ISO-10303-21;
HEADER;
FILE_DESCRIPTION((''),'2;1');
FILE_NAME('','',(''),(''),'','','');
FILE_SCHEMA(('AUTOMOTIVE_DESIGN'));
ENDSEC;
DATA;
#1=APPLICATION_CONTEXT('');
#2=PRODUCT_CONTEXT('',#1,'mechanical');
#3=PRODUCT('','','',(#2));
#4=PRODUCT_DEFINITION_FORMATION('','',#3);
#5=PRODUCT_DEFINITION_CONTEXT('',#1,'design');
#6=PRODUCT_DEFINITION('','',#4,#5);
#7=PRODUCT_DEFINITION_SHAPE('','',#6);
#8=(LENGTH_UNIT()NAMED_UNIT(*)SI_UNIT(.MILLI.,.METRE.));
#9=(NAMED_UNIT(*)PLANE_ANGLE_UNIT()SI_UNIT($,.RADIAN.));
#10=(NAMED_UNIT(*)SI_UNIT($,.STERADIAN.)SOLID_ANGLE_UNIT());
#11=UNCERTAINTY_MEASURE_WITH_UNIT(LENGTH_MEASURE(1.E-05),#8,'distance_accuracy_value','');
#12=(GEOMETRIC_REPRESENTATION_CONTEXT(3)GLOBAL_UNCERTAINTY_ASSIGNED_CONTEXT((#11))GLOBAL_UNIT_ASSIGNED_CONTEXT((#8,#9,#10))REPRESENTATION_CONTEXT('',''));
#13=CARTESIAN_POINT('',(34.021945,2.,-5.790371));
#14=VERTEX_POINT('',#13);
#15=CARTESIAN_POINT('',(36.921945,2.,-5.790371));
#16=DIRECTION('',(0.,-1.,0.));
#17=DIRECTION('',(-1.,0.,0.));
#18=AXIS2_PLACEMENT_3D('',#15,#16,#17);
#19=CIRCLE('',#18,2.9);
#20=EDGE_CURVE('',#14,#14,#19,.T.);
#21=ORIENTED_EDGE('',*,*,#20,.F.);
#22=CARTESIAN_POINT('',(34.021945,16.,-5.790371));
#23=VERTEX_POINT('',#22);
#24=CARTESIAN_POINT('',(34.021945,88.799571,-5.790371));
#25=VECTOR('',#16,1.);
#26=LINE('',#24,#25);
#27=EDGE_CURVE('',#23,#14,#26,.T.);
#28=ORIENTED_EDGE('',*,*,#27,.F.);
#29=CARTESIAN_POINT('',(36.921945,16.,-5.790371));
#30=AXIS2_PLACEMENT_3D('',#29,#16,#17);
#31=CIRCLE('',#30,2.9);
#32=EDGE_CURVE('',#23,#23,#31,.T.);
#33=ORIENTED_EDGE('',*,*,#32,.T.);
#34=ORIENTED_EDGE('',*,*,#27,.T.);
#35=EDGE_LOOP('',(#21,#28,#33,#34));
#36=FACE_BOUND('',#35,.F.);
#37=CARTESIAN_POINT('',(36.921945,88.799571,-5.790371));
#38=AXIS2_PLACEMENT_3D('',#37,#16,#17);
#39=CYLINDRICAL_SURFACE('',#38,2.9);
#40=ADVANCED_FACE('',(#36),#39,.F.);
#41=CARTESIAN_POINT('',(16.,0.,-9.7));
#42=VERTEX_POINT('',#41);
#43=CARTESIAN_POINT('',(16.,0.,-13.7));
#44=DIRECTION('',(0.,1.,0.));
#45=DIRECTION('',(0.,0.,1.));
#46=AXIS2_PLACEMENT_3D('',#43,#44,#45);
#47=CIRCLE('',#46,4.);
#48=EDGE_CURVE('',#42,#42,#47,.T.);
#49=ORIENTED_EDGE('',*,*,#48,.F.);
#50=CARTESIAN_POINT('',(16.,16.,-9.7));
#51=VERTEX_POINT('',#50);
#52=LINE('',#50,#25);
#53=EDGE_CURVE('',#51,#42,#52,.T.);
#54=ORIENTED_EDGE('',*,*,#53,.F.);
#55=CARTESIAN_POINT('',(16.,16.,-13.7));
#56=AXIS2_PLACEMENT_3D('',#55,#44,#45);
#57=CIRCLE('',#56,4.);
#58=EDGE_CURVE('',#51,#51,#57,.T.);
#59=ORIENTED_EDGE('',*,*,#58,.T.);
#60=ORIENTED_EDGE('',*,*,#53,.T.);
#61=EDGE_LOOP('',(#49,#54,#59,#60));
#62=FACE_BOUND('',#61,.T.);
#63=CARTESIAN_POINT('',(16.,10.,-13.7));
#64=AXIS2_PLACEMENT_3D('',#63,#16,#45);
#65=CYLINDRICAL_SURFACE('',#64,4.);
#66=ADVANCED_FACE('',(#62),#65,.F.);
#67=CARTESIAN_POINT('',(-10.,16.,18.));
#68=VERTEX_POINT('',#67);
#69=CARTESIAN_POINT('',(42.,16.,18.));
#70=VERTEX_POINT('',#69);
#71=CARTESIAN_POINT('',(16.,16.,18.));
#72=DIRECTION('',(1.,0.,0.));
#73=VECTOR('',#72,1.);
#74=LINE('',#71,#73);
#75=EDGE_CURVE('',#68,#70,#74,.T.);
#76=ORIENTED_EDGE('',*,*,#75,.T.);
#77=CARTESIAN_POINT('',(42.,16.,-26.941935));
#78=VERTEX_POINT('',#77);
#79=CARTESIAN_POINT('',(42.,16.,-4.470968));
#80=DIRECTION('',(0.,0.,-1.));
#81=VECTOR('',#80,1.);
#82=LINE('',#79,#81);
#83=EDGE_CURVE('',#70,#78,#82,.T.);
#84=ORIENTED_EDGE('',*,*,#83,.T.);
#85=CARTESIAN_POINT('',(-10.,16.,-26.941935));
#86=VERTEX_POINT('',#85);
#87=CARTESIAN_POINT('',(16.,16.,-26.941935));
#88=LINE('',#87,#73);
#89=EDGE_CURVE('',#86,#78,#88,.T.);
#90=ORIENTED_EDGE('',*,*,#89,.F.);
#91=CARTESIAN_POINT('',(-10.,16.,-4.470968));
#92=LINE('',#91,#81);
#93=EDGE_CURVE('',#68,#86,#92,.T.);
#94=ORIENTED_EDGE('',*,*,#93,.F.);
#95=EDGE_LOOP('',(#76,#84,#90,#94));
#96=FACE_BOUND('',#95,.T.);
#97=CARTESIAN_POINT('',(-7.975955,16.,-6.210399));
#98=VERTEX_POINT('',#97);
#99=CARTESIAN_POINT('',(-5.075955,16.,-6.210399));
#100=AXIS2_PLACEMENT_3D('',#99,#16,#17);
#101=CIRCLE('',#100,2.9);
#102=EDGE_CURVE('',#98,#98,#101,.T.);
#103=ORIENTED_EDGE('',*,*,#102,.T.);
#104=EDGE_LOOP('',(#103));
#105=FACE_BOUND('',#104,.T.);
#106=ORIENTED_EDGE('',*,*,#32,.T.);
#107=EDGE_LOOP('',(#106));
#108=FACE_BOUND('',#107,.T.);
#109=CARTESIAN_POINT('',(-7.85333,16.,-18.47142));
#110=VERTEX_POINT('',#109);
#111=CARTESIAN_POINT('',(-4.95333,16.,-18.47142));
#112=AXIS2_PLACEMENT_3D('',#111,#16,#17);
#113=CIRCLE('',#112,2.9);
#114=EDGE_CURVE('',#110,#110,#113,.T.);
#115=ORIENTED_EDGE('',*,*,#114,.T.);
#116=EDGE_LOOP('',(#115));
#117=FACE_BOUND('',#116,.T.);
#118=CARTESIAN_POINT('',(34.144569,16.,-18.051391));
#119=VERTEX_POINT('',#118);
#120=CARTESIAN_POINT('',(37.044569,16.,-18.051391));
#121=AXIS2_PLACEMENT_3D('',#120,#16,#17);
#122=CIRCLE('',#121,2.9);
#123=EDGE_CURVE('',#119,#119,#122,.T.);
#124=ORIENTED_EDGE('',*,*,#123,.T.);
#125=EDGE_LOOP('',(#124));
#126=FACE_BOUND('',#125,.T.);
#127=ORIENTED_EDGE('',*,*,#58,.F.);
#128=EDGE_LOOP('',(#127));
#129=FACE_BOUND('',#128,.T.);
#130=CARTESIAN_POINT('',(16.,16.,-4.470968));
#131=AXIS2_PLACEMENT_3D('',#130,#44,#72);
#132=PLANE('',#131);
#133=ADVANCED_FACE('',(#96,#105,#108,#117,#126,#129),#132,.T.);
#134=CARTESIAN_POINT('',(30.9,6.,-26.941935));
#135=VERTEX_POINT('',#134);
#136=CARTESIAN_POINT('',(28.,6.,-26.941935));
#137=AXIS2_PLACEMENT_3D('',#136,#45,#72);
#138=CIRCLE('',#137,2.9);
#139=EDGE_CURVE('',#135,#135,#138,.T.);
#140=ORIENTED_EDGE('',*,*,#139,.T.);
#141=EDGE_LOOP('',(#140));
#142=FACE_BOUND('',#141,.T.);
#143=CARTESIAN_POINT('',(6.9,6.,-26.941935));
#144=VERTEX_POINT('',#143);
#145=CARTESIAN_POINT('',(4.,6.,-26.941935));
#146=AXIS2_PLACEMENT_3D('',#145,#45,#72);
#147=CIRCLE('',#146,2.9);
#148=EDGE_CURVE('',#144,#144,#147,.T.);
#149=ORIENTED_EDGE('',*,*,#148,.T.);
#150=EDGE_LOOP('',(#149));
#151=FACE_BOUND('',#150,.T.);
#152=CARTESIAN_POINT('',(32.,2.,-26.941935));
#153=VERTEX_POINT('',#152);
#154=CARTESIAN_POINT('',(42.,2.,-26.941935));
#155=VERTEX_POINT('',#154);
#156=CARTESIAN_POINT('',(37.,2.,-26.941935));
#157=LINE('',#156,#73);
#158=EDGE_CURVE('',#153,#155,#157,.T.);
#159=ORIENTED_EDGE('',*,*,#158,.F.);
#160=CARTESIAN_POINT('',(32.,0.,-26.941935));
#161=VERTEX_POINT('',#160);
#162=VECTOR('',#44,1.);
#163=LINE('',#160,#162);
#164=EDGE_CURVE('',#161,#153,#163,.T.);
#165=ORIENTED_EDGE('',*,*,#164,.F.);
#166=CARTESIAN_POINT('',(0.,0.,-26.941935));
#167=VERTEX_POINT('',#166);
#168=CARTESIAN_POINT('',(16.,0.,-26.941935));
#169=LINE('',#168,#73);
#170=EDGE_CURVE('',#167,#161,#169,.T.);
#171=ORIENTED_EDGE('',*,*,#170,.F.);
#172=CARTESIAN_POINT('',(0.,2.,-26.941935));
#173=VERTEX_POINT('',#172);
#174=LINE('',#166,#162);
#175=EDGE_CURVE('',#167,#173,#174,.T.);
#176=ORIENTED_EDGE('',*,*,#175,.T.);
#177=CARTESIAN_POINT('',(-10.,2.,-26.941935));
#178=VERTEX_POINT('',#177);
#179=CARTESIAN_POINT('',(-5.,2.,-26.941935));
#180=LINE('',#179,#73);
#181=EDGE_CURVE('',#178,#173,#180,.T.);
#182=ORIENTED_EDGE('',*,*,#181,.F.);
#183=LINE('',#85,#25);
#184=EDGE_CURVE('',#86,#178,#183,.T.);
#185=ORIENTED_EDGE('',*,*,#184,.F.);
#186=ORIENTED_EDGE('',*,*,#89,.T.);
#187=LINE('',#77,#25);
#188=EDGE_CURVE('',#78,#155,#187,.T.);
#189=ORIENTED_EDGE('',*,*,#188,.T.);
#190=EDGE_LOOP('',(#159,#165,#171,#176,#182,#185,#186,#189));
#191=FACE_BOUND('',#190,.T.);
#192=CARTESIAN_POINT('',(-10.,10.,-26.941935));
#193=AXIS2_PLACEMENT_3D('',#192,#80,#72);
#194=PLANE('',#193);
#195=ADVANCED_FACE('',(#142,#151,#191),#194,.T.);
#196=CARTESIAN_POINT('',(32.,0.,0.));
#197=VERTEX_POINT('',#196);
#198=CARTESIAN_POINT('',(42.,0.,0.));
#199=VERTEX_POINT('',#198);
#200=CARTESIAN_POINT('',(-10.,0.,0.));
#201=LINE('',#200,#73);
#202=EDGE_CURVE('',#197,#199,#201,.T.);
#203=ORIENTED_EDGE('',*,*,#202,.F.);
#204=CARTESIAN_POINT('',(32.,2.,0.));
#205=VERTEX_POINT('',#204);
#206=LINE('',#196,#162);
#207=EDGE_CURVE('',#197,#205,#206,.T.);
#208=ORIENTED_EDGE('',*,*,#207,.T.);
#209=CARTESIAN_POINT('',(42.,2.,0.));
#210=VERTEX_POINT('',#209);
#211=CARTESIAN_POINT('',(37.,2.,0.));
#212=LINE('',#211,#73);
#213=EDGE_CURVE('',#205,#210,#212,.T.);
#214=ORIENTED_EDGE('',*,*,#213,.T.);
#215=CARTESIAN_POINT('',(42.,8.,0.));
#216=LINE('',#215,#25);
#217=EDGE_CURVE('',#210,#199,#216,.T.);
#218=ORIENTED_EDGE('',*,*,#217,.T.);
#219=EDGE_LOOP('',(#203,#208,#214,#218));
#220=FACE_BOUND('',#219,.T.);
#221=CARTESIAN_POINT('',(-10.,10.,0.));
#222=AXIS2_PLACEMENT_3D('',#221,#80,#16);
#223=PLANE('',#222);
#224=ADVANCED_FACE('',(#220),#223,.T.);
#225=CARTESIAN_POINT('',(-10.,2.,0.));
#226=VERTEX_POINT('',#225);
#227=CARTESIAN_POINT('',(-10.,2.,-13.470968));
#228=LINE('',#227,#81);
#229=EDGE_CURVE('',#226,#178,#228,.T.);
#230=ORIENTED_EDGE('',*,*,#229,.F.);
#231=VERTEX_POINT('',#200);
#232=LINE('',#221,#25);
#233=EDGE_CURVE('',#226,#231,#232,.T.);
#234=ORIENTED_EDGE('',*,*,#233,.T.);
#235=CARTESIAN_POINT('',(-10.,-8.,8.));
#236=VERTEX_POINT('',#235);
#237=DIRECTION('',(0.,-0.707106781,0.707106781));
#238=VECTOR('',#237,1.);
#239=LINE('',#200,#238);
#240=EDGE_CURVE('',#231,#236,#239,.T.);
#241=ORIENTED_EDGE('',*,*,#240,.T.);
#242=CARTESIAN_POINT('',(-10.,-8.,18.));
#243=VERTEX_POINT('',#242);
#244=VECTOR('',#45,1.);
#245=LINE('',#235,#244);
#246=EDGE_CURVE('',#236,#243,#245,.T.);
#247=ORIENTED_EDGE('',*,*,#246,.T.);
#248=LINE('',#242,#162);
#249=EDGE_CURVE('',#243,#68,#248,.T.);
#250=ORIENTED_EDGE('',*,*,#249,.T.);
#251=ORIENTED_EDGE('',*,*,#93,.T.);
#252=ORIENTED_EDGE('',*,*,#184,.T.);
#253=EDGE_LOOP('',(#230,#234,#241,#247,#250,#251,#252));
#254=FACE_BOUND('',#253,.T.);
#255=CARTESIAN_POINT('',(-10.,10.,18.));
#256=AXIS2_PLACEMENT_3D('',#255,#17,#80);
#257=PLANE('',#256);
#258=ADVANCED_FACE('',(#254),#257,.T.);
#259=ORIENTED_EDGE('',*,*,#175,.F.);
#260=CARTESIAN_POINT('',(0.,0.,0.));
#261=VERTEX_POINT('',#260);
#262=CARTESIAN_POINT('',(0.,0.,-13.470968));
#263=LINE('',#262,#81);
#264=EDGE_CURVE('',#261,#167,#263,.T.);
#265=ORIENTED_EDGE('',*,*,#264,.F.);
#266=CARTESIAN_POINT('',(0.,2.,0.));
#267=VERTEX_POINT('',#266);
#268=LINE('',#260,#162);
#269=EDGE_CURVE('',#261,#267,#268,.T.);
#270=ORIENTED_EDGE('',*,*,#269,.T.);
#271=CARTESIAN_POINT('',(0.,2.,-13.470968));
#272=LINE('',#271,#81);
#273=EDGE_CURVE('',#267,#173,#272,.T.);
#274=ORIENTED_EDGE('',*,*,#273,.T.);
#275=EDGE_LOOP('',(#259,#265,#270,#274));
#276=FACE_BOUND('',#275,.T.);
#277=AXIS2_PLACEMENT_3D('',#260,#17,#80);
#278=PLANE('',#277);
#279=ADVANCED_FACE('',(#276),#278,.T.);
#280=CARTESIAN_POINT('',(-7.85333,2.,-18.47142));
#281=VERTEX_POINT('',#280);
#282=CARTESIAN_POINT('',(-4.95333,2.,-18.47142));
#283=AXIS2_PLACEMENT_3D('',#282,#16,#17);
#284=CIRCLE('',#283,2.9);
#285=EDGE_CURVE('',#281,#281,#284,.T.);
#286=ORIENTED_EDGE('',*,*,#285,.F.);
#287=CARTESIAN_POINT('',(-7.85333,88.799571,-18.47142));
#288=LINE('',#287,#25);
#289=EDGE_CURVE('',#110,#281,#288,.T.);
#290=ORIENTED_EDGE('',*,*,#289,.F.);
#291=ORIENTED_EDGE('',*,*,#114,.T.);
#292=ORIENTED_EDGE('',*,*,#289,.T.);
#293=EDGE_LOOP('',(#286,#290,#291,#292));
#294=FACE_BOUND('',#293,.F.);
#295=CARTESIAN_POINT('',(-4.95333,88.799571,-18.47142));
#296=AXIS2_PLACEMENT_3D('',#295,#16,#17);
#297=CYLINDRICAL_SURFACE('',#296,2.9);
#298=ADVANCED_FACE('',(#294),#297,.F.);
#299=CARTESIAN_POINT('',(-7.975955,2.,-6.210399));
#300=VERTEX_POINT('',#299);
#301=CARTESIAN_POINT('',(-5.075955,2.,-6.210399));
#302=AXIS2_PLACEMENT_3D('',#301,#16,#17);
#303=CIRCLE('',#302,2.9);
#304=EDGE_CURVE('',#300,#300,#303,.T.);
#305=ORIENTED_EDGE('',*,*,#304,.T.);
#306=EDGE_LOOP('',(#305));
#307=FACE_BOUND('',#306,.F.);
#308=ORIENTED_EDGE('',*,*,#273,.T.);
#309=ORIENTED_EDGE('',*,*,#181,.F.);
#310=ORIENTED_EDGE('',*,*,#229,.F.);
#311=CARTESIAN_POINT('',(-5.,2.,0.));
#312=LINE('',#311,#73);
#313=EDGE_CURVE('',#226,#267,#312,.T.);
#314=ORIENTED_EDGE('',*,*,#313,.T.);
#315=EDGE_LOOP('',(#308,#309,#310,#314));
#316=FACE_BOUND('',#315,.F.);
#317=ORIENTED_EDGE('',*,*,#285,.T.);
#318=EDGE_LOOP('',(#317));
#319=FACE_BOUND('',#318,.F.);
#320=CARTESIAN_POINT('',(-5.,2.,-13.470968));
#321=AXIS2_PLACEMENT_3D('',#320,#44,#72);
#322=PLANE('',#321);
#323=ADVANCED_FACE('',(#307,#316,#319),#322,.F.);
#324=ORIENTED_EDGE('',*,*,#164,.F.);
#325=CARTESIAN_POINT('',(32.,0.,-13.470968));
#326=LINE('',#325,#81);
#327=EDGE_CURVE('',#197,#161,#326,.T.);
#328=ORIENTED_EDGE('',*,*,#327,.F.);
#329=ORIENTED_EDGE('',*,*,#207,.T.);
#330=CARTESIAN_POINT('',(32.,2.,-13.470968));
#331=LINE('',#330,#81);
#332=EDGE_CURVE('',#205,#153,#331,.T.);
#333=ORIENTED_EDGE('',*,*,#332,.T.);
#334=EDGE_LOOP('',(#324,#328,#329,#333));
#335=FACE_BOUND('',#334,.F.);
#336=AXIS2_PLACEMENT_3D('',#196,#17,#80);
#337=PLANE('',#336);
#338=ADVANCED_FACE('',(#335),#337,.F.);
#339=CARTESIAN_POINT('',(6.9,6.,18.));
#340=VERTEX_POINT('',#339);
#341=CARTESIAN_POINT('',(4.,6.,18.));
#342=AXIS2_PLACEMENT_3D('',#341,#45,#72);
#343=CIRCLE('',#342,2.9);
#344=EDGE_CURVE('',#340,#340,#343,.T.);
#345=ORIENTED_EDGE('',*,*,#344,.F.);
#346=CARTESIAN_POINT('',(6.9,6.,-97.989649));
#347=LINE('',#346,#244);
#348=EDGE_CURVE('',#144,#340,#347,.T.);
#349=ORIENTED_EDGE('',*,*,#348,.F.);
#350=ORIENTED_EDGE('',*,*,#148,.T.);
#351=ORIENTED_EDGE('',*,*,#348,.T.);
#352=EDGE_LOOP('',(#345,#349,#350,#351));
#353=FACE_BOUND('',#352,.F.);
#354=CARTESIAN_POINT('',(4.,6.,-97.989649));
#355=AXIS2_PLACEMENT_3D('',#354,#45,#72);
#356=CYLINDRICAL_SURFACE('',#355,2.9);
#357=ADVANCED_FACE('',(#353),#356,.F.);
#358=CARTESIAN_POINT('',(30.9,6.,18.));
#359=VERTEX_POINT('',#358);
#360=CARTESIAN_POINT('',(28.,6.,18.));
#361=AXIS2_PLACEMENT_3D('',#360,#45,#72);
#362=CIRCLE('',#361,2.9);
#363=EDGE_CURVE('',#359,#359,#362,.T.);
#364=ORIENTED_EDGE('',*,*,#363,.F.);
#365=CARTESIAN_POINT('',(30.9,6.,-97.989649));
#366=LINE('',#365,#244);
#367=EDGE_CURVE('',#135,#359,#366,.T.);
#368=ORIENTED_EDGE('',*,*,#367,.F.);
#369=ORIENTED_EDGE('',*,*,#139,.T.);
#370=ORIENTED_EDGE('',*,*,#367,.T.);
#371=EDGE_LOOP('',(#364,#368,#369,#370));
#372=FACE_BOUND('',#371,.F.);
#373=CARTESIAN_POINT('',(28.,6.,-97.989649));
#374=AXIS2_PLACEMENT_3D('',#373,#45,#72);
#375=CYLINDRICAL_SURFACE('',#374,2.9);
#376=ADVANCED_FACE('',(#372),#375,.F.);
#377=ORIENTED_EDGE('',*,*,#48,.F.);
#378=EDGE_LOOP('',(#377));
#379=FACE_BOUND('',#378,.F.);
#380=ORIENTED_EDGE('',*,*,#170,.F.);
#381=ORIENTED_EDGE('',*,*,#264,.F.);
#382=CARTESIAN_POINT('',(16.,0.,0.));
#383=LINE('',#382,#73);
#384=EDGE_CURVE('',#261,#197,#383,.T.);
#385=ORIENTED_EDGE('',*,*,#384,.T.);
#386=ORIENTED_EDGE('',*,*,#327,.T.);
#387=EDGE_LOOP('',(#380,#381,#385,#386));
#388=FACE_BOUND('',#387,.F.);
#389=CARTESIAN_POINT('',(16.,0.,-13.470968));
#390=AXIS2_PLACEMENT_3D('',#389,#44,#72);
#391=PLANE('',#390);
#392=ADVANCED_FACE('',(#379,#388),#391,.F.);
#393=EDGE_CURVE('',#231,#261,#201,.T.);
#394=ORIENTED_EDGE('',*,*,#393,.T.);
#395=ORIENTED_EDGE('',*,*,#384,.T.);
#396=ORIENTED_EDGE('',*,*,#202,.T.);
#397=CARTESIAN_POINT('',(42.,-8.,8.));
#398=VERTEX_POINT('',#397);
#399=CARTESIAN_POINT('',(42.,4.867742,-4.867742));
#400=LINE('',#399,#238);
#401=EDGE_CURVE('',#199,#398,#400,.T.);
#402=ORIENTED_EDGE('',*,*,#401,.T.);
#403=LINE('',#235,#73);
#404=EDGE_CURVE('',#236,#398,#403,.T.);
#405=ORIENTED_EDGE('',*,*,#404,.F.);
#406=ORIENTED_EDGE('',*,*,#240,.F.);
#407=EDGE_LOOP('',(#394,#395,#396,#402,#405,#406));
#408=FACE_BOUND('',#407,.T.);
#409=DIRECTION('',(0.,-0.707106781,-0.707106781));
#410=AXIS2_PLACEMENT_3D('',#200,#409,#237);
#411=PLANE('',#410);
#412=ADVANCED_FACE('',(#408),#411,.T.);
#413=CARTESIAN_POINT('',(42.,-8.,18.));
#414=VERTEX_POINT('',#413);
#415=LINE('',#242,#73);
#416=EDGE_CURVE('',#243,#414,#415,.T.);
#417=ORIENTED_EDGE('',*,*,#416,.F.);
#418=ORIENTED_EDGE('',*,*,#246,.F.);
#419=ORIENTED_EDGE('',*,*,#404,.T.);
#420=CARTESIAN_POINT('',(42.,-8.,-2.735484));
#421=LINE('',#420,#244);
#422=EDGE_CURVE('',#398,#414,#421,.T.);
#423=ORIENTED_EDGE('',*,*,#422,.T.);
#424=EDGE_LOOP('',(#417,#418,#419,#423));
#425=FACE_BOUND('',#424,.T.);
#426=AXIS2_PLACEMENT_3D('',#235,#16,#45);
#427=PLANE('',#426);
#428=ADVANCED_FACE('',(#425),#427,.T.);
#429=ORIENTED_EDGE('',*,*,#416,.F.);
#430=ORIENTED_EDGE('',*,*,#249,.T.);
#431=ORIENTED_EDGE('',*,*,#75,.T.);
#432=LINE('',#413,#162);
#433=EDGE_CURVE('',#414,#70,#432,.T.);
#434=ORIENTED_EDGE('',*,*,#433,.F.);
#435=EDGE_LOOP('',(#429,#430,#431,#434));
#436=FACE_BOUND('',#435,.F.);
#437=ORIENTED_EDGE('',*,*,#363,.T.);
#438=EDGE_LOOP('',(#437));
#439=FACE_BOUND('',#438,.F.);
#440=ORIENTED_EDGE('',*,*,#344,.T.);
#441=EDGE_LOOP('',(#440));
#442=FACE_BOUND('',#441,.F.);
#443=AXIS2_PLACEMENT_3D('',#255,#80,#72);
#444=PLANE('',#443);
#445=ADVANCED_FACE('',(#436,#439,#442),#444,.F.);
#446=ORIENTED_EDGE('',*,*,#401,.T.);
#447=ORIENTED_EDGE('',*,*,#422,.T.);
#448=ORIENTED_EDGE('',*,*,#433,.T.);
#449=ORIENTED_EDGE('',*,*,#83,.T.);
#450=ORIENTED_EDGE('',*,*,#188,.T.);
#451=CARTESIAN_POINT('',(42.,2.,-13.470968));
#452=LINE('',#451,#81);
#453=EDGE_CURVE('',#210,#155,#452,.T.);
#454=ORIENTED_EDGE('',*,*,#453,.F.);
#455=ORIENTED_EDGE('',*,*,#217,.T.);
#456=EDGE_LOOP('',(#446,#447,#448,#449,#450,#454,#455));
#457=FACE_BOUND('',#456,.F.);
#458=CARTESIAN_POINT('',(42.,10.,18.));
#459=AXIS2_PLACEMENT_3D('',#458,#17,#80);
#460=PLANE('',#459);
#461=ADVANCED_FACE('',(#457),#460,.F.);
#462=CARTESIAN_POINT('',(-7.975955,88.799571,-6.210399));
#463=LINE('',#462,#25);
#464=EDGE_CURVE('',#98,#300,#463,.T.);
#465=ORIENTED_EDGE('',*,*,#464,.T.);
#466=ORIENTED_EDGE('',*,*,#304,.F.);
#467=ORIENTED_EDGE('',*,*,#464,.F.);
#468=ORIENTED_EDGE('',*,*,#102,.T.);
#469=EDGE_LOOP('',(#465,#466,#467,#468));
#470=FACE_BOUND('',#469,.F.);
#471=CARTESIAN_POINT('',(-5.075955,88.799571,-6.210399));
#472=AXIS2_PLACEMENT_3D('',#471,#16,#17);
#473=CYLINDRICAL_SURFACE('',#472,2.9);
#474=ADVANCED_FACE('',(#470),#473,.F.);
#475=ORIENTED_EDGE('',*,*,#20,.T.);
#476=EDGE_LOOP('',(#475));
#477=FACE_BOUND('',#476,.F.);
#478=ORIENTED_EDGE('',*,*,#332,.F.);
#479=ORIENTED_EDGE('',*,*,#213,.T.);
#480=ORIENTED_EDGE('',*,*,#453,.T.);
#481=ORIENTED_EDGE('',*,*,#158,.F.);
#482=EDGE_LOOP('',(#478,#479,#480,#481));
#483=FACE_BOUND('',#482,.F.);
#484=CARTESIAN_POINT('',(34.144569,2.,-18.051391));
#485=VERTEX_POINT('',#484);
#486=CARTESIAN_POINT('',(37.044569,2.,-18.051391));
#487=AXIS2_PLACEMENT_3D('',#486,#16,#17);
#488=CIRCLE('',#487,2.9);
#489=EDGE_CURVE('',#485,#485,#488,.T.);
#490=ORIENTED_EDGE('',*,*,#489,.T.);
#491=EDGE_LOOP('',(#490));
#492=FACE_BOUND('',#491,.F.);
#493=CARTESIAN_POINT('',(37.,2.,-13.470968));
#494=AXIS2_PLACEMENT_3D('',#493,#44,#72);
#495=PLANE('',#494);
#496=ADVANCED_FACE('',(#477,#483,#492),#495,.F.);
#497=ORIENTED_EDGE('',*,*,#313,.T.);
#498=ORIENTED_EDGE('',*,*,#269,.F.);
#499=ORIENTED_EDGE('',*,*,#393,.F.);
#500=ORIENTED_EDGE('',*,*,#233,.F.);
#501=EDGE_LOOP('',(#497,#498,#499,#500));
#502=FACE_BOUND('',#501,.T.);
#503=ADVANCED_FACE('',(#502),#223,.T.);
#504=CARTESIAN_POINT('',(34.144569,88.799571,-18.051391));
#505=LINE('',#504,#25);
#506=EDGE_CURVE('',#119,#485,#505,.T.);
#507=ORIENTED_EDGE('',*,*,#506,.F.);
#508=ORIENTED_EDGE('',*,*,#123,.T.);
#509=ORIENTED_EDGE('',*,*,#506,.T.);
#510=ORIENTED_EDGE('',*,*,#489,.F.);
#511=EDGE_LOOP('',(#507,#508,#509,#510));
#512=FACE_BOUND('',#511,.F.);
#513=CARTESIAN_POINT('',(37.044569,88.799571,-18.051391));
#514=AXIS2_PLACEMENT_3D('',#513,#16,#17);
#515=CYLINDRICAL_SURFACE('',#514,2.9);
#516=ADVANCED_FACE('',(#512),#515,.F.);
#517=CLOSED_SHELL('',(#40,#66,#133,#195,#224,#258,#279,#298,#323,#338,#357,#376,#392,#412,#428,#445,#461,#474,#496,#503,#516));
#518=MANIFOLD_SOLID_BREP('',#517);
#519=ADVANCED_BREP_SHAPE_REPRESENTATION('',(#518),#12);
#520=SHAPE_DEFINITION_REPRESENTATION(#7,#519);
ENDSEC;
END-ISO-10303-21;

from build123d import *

# Parameters (mm, degrees)
SKETCH1_W            = 32
SKETCH1_H            = 26.941935484
SKETCH1_R            = 4
BOSS_EXTRUDE1_DEPTH  = 10
SKETCH2_W            = 10
SKETCH2_H            = 26.941935484
BOSS_EXTRUDE2_DEPTH  = 8
BOSS_EXTRUDE3_REACH  = 61.413
M5_CLEARANCE_HOLE1_D = 5.8
SKETCH6_W            = 52
SKETCH6_H            = 44.941935484
SKETCH6_R            = 4
BOSS_EXTRUDE4_DEPTH  = 6
M5_CLEARANCE_HOLE2_D = 5.8


with BuildPart() as part:
    # Sketch1 → Boss-Extrude1 (new body)
    with BuildSketch(Plane(origin=(0, 0, 0), x_dir=(1, 0, 0), z_dir=(0, 1, 0))):
        with Locations((16, 13.470967742)):
            Rectangle(SKETCH1_W, SKETCH1_H)
        with Locations(Location((16, 13.7, 0), (0, 0, 270))):
            Circle(SKETCH1_R, mode=Mode.SUBTRACT)
    extrude(amount=BOSS_EXTRUDE1_DEPTH)

    # Sketch2 → Boss-Extrude2 (add)
    with BuildSketch(Plane(origin=(0, 10, 0), x_dir=(1, 0, 0), z_dir=(0, 1, 0))):
        with Locations((-5, 13.470967742)):
            Rectangle(SKETCH2_W, SKETCH2_H)
        with Locations((37, 13.470967742)):
            Rectangle(SKETCH2_W, SKETCH2_H)
    extrude(amount=-BOSS_EXTRUDE2_DEPTH)

    # Boss-Extrude3: up to this face of the body (flat: up to its plane)
    boss_extrude3_end = Plane(part.part.faces().sort_by_distance((42, 6, -13.470967742))[0])
    # Sketch3 → Boss-Extrude3 (add, up to the picked face)
    with BuildSketch(Plane.ZY.offset(10), mode=Mode.PRIVATE) as boss_extrude3_sk1:
        Polygon((0, 0), (8, -8), (18, -8), (18, 10), (0, 10), align=None)
    boss_extrude3_tool1 = split(extrude(boss_extrude3_sk1.sketch, amount=-BOSS_EXTRUDE3_REACH, mode=Mode.PRIVATE), bisect_by=boss_extrude3_end, keep=Keep.BOTH, mode=Mode.PRIVATE)
    add(boss_extrude3_tool1.solids().sort_by(Axis((-10, 1.694064, 9.694064), (1, 0, 0)))[0])

    # M5 Clearance Hole1 (through all)
    with Locations(Plane(origin=(0, 0, -26.941935484), x_dir=(-1, 0, 0), z_dir=(0, 0, -1))):
        with Locations((-28, 6), (-4, 6)):
            Hole(M5_CLEARANCE_HOLE1_D / 2)

    # Sketch6 → Boss-Extrude4 (add)
    with BuildSketch(Plane(origin=(0, 10, 0), x_dir=(1, 0, 0), z_dir=(0, 1, 0))):
        with Locations((16, 4.470967742)):
            Rectangle(SKETCH6_W, SKETCH6_H)
        with Locations(Location((16, 13.7, 0), (0, 0, 270))):
            Circle(SKETCH6_R, mode=Mode.SUBTRACT)
    extrude(amount=BOSS_EXTRUDE4_DEPTH)

    # M5 Clearance Hole2 (through all)
    with Locations(Plane(origin=(0, 16, 0), x_dir=(1, 0, 0), z_dir=(0, 1, 0))):
        with Locations((37.04456925, 18.051391355), (36.92194463, 5.790370874), (-4.953330413, 18.47141973), (-5.075955034, 6.210399249)):
            Hole(M5_CLEARANCE_HOLE2_D / 2)


solid = part.part
